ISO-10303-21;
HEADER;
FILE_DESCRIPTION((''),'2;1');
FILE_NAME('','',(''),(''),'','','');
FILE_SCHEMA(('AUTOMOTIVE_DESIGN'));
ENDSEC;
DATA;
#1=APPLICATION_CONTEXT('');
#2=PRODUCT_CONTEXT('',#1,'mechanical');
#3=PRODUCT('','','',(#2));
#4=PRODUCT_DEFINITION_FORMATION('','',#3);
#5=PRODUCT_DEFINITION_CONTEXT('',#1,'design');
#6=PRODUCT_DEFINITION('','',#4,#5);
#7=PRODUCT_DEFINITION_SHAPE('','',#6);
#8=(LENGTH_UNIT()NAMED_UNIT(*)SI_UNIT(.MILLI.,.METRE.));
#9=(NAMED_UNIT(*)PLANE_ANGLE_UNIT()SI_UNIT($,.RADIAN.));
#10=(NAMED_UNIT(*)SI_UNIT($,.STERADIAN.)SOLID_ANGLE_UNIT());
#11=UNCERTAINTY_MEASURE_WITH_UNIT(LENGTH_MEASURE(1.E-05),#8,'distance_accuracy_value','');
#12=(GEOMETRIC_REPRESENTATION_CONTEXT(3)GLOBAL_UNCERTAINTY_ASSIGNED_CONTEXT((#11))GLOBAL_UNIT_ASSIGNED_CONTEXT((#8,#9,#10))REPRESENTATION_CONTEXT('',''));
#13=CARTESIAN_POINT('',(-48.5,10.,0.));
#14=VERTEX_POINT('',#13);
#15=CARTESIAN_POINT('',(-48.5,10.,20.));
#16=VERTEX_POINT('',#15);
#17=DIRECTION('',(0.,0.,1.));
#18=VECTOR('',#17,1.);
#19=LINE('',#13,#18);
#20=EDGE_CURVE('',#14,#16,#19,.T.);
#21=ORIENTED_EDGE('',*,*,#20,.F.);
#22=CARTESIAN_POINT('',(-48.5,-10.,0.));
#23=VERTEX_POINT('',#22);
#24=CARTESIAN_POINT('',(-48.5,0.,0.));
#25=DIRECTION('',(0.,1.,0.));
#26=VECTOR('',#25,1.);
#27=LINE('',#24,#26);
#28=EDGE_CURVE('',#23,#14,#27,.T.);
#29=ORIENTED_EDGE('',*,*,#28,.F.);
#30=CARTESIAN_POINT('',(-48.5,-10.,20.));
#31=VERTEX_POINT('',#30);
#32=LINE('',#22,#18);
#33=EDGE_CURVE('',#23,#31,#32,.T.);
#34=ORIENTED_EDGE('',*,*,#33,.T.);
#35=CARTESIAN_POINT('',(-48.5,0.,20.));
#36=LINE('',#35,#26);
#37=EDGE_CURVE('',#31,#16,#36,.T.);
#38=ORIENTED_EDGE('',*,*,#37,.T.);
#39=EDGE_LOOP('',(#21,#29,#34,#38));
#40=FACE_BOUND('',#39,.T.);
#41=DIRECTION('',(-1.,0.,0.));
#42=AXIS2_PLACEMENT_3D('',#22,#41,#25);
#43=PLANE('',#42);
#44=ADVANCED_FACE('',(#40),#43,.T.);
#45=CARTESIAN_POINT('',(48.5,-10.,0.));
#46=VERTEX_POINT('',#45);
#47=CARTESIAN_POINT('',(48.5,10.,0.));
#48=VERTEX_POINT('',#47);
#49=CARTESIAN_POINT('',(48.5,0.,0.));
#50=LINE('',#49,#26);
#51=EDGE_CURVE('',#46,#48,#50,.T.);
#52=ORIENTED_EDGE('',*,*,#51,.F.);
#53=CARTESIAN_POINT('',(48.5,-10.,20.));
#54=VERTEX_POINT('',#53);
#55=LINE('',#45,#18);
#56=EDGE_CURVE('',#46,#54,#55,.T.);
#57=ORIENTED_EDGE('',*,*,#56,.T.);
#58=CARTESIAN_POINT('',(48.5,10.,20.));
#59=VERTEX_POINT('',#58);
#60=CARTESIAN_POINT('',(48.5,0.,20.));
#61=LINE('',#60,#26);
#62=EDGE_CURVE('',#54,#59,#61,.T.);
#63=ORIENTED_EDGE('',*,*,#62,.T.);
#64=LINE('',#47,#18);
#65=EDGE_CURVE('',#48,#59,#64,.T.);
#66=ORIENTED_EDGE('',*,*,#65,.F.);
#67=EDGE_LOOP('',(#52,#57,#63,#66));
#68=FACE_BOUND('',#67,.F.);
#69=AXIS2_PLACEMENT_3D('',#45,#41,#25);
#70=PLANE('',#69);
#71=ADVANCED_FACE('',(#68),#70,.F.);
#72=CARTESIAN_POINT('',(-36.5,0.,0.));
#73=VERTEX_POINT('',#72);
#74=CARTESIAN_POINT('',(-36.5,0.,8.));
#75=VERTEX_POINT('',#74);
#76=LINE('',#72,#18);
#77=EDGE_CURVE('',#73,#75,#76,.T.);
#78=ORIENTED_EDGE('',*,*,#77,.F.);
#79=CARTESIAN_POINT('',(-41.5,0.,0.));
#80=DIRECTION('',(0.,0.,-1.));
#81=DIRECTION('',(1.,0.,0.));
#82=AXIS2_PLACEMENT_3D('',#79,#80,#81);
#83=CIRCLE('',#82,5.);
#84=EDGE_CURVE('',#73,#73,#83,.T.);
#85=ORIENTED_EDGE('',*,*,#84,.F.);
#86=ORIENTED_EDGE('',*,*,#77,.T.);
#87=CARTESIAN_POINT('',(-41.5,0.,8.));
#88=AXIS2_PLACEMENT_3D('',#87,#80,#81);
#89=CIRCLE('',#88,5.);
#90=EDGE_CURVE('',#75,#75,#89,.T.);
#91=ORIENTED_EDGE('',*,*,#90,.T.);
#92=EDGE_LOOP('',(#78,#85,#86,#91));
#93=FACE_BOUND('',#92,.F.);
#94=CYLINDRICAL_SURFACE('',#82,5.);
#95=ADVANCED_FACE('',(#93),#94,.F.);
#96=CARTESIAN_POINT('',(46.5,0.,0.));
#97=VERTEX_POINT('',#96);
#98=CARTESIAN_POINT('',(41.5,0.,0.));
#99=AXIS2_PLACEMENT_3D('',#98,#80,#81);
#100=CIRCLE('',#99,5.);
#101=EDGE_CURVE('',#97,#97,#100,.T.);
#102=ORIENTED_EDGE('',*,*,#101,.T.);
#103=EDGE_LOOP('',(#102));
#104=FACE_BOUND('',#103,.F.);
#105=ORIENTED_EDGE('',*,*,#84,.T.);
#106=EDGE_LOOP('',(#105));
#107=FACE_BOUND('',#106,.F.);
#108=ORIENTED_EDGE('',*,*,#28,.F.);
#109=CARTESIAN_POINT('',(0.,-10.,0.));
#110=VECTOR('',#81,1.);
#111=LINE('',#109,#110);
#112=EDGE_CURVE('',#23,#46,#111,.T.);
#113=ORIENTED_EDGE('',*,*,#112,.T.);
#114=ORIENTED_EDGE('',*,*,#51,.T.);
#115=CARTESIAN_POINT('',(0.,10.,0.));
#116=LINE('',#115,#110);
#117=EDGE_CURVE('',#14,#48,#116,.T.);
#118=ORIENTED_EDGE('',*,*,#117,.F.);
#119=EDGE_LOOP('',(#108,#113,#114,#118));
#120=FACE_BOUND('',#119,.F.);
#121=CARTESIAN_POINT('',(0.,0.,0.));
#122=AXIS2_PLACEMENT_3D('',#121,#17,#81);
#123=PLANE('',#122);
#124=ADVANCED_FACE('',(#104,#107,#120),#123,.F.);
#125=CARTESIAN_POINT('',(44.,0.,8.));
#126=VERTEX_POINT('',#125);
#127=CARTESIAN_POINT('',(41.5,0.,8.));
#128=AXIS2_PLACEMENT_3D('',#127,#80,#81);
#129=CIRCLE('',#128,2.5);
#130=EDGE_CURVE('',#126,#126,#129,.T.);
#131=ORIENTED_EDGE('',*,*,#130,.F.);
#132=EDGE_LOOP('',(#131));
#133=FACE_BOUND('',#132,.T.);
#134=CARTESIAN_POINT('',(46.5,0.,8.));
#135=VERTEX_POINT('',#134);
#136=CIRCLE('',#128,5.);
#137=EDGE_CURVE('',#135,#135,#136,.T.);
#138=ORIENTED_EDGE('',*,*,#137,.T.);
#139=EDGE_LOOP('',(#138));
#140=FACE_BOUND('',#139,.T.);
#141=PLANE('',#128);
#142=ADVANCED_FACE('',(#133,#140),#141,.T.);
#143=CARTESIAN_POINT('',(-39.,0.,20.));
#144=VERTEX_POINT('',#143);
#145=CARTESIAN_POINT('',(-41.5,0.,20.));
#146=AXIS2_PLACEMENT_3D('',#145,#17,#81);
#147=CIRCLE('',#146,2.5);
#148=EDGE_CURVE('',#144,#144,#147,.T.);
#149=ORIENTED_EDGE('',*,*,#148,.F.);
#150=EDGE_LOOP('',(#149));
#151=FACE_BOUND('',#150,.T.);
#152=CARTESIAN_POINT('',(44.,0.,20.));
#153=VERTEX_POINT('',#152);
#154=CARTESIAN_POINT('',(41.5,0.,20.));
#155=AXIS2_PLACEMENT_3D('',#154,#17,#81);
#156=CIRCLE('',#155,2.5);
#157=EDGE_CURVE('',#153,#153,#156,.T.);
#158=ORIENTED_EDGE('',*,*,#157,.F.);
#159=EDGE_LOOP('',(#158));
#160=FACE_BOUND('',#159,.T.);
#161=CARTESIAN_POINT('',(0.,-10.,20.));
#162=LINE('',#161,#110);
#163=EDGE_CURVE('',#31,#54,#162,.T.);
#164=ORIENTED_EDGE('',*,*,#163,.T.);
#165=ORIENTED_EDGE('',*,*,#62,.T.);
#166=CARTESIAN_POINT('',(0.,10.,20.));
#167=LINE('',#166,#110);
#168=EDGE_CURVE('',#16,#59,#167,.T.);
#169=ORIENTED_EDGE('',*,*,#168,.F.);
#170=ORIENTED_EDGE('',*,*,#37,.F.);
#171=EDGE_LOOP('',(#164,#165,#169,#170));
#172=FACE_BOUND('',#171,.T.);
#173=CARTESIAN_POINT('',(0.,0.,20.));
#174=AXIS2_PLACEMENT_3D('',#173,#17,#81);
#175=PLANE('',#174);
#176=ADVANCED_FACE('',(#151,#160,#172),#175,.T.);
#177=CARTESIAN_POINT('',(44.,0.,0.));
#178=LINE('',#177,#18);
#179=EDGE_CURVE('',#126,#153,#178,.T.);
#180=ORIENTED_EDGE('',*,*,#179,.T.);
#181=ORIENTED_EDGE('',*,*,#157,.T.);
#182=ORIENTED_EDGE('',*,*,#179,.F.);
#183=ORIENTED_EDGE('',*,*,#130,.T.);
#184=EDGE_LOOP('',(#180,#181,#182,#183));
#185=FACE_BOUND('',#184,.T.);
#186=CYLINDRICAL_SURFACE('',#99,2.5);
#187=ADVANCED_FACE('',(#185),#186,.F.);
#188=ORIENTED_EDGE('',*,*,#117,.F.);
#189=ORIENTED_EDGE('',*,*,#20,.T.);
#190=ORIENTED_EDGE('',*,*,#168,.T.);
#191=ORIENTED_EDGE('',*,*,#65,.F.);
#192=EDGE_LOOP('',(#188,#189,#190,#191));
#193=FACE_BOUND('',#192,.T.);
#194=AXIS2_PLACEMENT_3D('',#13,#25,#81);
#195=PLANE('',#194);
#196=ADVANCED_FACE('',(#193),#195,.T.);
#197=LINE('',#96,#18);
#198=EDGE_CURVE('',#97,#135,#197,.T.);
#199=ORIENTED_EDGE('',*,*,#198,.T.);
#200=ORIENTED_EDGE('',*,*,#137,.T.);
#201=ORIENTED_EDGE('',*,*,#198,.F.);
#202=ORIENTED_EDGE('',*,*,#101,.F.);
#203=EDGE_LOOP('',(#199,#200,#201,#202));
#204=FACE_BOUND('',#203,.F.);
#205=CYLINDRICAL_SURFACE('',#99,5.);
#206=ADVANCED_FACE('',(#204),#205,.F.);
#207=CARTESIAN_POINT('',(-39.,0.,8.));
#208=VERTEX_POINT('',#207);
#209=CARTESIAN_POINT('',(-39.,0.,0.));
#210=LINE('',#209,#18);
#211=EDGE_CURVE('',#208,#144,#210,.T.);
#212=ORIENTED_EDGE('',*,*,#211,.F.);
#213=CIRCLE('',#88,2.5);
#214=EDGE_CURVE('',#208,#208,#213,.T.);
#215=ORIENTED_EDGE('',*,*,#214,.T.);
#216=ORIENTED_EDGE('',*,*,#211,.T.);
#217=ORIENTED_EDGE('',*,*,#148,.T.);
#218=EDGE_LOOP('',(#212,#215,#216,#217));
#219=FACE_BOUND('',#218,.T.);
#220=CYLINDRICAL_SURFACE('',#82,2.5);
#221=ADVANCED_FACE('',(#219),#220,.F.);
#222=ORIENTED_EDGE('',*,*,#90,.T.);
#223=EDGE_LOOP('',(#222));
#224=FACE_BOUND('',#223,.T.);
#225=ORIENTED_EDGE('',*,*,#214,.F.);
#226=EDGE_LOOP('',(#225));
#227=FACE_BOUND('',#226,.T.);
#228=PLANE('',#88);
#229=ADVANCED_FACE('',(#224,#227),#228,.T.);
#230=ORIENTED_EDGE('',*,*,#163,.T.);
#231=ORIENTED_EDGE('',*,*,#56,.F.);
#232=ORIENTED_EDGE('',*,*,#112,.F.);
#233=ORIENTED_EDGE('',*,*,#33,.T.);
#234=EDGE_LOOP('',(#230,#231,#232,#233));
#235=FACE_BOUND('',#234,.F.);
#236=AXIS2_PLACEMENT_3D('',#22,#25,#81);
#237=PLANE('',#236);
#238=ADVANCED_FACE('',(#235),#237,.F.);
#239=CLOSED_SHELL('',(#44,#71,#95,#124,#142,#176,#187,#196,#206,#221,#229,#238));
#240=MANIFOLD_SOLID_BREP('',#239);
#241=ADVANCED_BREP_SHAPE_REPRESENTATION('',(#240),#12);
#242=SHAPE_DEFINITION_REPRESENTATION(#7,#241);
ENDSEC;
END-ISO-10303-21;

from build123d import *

# Parameters (mm, degrees)
SKETCH_W     = 97
SKETCH_H     = 20
SKETCH_R     = 2.5
PAD_DEPTH    = 20
SKETCH001_R  = 5
POCKET_DEPTH = 8


with BuildPart() as part:
    # Sketch → Pad (new body)
    with BuildSketch(Plane.XY):
        Rectangle(SKETCH_W, SKETCH_H)
        with Locations((-41.5, 0)):
            Circle(SKETCH_R, mode=Mode.SUBTRACT)
        with Locations((41.5, 0)):
            Circle(SKETCH_R, mode=Mode.SUBTRACT)
    extrude(amount=PAD_DEPTH)

    # Sketch001 → Pocket (cut)
    with BuildSketch(Plane(origin=(0, 0, 0), x_dir=(1, 0, 0), z_dir=(0, 0, -1))):
        with Locations((-41.5, 0)):
            Circle(SKETCH001_R)
        with Locations((41.5, 0)):
            Circle(SKETCH001_R)
    extrude(amount=-POCKET_DEPTH, mode=Mode.SUBTRACT)


solid = part.part
